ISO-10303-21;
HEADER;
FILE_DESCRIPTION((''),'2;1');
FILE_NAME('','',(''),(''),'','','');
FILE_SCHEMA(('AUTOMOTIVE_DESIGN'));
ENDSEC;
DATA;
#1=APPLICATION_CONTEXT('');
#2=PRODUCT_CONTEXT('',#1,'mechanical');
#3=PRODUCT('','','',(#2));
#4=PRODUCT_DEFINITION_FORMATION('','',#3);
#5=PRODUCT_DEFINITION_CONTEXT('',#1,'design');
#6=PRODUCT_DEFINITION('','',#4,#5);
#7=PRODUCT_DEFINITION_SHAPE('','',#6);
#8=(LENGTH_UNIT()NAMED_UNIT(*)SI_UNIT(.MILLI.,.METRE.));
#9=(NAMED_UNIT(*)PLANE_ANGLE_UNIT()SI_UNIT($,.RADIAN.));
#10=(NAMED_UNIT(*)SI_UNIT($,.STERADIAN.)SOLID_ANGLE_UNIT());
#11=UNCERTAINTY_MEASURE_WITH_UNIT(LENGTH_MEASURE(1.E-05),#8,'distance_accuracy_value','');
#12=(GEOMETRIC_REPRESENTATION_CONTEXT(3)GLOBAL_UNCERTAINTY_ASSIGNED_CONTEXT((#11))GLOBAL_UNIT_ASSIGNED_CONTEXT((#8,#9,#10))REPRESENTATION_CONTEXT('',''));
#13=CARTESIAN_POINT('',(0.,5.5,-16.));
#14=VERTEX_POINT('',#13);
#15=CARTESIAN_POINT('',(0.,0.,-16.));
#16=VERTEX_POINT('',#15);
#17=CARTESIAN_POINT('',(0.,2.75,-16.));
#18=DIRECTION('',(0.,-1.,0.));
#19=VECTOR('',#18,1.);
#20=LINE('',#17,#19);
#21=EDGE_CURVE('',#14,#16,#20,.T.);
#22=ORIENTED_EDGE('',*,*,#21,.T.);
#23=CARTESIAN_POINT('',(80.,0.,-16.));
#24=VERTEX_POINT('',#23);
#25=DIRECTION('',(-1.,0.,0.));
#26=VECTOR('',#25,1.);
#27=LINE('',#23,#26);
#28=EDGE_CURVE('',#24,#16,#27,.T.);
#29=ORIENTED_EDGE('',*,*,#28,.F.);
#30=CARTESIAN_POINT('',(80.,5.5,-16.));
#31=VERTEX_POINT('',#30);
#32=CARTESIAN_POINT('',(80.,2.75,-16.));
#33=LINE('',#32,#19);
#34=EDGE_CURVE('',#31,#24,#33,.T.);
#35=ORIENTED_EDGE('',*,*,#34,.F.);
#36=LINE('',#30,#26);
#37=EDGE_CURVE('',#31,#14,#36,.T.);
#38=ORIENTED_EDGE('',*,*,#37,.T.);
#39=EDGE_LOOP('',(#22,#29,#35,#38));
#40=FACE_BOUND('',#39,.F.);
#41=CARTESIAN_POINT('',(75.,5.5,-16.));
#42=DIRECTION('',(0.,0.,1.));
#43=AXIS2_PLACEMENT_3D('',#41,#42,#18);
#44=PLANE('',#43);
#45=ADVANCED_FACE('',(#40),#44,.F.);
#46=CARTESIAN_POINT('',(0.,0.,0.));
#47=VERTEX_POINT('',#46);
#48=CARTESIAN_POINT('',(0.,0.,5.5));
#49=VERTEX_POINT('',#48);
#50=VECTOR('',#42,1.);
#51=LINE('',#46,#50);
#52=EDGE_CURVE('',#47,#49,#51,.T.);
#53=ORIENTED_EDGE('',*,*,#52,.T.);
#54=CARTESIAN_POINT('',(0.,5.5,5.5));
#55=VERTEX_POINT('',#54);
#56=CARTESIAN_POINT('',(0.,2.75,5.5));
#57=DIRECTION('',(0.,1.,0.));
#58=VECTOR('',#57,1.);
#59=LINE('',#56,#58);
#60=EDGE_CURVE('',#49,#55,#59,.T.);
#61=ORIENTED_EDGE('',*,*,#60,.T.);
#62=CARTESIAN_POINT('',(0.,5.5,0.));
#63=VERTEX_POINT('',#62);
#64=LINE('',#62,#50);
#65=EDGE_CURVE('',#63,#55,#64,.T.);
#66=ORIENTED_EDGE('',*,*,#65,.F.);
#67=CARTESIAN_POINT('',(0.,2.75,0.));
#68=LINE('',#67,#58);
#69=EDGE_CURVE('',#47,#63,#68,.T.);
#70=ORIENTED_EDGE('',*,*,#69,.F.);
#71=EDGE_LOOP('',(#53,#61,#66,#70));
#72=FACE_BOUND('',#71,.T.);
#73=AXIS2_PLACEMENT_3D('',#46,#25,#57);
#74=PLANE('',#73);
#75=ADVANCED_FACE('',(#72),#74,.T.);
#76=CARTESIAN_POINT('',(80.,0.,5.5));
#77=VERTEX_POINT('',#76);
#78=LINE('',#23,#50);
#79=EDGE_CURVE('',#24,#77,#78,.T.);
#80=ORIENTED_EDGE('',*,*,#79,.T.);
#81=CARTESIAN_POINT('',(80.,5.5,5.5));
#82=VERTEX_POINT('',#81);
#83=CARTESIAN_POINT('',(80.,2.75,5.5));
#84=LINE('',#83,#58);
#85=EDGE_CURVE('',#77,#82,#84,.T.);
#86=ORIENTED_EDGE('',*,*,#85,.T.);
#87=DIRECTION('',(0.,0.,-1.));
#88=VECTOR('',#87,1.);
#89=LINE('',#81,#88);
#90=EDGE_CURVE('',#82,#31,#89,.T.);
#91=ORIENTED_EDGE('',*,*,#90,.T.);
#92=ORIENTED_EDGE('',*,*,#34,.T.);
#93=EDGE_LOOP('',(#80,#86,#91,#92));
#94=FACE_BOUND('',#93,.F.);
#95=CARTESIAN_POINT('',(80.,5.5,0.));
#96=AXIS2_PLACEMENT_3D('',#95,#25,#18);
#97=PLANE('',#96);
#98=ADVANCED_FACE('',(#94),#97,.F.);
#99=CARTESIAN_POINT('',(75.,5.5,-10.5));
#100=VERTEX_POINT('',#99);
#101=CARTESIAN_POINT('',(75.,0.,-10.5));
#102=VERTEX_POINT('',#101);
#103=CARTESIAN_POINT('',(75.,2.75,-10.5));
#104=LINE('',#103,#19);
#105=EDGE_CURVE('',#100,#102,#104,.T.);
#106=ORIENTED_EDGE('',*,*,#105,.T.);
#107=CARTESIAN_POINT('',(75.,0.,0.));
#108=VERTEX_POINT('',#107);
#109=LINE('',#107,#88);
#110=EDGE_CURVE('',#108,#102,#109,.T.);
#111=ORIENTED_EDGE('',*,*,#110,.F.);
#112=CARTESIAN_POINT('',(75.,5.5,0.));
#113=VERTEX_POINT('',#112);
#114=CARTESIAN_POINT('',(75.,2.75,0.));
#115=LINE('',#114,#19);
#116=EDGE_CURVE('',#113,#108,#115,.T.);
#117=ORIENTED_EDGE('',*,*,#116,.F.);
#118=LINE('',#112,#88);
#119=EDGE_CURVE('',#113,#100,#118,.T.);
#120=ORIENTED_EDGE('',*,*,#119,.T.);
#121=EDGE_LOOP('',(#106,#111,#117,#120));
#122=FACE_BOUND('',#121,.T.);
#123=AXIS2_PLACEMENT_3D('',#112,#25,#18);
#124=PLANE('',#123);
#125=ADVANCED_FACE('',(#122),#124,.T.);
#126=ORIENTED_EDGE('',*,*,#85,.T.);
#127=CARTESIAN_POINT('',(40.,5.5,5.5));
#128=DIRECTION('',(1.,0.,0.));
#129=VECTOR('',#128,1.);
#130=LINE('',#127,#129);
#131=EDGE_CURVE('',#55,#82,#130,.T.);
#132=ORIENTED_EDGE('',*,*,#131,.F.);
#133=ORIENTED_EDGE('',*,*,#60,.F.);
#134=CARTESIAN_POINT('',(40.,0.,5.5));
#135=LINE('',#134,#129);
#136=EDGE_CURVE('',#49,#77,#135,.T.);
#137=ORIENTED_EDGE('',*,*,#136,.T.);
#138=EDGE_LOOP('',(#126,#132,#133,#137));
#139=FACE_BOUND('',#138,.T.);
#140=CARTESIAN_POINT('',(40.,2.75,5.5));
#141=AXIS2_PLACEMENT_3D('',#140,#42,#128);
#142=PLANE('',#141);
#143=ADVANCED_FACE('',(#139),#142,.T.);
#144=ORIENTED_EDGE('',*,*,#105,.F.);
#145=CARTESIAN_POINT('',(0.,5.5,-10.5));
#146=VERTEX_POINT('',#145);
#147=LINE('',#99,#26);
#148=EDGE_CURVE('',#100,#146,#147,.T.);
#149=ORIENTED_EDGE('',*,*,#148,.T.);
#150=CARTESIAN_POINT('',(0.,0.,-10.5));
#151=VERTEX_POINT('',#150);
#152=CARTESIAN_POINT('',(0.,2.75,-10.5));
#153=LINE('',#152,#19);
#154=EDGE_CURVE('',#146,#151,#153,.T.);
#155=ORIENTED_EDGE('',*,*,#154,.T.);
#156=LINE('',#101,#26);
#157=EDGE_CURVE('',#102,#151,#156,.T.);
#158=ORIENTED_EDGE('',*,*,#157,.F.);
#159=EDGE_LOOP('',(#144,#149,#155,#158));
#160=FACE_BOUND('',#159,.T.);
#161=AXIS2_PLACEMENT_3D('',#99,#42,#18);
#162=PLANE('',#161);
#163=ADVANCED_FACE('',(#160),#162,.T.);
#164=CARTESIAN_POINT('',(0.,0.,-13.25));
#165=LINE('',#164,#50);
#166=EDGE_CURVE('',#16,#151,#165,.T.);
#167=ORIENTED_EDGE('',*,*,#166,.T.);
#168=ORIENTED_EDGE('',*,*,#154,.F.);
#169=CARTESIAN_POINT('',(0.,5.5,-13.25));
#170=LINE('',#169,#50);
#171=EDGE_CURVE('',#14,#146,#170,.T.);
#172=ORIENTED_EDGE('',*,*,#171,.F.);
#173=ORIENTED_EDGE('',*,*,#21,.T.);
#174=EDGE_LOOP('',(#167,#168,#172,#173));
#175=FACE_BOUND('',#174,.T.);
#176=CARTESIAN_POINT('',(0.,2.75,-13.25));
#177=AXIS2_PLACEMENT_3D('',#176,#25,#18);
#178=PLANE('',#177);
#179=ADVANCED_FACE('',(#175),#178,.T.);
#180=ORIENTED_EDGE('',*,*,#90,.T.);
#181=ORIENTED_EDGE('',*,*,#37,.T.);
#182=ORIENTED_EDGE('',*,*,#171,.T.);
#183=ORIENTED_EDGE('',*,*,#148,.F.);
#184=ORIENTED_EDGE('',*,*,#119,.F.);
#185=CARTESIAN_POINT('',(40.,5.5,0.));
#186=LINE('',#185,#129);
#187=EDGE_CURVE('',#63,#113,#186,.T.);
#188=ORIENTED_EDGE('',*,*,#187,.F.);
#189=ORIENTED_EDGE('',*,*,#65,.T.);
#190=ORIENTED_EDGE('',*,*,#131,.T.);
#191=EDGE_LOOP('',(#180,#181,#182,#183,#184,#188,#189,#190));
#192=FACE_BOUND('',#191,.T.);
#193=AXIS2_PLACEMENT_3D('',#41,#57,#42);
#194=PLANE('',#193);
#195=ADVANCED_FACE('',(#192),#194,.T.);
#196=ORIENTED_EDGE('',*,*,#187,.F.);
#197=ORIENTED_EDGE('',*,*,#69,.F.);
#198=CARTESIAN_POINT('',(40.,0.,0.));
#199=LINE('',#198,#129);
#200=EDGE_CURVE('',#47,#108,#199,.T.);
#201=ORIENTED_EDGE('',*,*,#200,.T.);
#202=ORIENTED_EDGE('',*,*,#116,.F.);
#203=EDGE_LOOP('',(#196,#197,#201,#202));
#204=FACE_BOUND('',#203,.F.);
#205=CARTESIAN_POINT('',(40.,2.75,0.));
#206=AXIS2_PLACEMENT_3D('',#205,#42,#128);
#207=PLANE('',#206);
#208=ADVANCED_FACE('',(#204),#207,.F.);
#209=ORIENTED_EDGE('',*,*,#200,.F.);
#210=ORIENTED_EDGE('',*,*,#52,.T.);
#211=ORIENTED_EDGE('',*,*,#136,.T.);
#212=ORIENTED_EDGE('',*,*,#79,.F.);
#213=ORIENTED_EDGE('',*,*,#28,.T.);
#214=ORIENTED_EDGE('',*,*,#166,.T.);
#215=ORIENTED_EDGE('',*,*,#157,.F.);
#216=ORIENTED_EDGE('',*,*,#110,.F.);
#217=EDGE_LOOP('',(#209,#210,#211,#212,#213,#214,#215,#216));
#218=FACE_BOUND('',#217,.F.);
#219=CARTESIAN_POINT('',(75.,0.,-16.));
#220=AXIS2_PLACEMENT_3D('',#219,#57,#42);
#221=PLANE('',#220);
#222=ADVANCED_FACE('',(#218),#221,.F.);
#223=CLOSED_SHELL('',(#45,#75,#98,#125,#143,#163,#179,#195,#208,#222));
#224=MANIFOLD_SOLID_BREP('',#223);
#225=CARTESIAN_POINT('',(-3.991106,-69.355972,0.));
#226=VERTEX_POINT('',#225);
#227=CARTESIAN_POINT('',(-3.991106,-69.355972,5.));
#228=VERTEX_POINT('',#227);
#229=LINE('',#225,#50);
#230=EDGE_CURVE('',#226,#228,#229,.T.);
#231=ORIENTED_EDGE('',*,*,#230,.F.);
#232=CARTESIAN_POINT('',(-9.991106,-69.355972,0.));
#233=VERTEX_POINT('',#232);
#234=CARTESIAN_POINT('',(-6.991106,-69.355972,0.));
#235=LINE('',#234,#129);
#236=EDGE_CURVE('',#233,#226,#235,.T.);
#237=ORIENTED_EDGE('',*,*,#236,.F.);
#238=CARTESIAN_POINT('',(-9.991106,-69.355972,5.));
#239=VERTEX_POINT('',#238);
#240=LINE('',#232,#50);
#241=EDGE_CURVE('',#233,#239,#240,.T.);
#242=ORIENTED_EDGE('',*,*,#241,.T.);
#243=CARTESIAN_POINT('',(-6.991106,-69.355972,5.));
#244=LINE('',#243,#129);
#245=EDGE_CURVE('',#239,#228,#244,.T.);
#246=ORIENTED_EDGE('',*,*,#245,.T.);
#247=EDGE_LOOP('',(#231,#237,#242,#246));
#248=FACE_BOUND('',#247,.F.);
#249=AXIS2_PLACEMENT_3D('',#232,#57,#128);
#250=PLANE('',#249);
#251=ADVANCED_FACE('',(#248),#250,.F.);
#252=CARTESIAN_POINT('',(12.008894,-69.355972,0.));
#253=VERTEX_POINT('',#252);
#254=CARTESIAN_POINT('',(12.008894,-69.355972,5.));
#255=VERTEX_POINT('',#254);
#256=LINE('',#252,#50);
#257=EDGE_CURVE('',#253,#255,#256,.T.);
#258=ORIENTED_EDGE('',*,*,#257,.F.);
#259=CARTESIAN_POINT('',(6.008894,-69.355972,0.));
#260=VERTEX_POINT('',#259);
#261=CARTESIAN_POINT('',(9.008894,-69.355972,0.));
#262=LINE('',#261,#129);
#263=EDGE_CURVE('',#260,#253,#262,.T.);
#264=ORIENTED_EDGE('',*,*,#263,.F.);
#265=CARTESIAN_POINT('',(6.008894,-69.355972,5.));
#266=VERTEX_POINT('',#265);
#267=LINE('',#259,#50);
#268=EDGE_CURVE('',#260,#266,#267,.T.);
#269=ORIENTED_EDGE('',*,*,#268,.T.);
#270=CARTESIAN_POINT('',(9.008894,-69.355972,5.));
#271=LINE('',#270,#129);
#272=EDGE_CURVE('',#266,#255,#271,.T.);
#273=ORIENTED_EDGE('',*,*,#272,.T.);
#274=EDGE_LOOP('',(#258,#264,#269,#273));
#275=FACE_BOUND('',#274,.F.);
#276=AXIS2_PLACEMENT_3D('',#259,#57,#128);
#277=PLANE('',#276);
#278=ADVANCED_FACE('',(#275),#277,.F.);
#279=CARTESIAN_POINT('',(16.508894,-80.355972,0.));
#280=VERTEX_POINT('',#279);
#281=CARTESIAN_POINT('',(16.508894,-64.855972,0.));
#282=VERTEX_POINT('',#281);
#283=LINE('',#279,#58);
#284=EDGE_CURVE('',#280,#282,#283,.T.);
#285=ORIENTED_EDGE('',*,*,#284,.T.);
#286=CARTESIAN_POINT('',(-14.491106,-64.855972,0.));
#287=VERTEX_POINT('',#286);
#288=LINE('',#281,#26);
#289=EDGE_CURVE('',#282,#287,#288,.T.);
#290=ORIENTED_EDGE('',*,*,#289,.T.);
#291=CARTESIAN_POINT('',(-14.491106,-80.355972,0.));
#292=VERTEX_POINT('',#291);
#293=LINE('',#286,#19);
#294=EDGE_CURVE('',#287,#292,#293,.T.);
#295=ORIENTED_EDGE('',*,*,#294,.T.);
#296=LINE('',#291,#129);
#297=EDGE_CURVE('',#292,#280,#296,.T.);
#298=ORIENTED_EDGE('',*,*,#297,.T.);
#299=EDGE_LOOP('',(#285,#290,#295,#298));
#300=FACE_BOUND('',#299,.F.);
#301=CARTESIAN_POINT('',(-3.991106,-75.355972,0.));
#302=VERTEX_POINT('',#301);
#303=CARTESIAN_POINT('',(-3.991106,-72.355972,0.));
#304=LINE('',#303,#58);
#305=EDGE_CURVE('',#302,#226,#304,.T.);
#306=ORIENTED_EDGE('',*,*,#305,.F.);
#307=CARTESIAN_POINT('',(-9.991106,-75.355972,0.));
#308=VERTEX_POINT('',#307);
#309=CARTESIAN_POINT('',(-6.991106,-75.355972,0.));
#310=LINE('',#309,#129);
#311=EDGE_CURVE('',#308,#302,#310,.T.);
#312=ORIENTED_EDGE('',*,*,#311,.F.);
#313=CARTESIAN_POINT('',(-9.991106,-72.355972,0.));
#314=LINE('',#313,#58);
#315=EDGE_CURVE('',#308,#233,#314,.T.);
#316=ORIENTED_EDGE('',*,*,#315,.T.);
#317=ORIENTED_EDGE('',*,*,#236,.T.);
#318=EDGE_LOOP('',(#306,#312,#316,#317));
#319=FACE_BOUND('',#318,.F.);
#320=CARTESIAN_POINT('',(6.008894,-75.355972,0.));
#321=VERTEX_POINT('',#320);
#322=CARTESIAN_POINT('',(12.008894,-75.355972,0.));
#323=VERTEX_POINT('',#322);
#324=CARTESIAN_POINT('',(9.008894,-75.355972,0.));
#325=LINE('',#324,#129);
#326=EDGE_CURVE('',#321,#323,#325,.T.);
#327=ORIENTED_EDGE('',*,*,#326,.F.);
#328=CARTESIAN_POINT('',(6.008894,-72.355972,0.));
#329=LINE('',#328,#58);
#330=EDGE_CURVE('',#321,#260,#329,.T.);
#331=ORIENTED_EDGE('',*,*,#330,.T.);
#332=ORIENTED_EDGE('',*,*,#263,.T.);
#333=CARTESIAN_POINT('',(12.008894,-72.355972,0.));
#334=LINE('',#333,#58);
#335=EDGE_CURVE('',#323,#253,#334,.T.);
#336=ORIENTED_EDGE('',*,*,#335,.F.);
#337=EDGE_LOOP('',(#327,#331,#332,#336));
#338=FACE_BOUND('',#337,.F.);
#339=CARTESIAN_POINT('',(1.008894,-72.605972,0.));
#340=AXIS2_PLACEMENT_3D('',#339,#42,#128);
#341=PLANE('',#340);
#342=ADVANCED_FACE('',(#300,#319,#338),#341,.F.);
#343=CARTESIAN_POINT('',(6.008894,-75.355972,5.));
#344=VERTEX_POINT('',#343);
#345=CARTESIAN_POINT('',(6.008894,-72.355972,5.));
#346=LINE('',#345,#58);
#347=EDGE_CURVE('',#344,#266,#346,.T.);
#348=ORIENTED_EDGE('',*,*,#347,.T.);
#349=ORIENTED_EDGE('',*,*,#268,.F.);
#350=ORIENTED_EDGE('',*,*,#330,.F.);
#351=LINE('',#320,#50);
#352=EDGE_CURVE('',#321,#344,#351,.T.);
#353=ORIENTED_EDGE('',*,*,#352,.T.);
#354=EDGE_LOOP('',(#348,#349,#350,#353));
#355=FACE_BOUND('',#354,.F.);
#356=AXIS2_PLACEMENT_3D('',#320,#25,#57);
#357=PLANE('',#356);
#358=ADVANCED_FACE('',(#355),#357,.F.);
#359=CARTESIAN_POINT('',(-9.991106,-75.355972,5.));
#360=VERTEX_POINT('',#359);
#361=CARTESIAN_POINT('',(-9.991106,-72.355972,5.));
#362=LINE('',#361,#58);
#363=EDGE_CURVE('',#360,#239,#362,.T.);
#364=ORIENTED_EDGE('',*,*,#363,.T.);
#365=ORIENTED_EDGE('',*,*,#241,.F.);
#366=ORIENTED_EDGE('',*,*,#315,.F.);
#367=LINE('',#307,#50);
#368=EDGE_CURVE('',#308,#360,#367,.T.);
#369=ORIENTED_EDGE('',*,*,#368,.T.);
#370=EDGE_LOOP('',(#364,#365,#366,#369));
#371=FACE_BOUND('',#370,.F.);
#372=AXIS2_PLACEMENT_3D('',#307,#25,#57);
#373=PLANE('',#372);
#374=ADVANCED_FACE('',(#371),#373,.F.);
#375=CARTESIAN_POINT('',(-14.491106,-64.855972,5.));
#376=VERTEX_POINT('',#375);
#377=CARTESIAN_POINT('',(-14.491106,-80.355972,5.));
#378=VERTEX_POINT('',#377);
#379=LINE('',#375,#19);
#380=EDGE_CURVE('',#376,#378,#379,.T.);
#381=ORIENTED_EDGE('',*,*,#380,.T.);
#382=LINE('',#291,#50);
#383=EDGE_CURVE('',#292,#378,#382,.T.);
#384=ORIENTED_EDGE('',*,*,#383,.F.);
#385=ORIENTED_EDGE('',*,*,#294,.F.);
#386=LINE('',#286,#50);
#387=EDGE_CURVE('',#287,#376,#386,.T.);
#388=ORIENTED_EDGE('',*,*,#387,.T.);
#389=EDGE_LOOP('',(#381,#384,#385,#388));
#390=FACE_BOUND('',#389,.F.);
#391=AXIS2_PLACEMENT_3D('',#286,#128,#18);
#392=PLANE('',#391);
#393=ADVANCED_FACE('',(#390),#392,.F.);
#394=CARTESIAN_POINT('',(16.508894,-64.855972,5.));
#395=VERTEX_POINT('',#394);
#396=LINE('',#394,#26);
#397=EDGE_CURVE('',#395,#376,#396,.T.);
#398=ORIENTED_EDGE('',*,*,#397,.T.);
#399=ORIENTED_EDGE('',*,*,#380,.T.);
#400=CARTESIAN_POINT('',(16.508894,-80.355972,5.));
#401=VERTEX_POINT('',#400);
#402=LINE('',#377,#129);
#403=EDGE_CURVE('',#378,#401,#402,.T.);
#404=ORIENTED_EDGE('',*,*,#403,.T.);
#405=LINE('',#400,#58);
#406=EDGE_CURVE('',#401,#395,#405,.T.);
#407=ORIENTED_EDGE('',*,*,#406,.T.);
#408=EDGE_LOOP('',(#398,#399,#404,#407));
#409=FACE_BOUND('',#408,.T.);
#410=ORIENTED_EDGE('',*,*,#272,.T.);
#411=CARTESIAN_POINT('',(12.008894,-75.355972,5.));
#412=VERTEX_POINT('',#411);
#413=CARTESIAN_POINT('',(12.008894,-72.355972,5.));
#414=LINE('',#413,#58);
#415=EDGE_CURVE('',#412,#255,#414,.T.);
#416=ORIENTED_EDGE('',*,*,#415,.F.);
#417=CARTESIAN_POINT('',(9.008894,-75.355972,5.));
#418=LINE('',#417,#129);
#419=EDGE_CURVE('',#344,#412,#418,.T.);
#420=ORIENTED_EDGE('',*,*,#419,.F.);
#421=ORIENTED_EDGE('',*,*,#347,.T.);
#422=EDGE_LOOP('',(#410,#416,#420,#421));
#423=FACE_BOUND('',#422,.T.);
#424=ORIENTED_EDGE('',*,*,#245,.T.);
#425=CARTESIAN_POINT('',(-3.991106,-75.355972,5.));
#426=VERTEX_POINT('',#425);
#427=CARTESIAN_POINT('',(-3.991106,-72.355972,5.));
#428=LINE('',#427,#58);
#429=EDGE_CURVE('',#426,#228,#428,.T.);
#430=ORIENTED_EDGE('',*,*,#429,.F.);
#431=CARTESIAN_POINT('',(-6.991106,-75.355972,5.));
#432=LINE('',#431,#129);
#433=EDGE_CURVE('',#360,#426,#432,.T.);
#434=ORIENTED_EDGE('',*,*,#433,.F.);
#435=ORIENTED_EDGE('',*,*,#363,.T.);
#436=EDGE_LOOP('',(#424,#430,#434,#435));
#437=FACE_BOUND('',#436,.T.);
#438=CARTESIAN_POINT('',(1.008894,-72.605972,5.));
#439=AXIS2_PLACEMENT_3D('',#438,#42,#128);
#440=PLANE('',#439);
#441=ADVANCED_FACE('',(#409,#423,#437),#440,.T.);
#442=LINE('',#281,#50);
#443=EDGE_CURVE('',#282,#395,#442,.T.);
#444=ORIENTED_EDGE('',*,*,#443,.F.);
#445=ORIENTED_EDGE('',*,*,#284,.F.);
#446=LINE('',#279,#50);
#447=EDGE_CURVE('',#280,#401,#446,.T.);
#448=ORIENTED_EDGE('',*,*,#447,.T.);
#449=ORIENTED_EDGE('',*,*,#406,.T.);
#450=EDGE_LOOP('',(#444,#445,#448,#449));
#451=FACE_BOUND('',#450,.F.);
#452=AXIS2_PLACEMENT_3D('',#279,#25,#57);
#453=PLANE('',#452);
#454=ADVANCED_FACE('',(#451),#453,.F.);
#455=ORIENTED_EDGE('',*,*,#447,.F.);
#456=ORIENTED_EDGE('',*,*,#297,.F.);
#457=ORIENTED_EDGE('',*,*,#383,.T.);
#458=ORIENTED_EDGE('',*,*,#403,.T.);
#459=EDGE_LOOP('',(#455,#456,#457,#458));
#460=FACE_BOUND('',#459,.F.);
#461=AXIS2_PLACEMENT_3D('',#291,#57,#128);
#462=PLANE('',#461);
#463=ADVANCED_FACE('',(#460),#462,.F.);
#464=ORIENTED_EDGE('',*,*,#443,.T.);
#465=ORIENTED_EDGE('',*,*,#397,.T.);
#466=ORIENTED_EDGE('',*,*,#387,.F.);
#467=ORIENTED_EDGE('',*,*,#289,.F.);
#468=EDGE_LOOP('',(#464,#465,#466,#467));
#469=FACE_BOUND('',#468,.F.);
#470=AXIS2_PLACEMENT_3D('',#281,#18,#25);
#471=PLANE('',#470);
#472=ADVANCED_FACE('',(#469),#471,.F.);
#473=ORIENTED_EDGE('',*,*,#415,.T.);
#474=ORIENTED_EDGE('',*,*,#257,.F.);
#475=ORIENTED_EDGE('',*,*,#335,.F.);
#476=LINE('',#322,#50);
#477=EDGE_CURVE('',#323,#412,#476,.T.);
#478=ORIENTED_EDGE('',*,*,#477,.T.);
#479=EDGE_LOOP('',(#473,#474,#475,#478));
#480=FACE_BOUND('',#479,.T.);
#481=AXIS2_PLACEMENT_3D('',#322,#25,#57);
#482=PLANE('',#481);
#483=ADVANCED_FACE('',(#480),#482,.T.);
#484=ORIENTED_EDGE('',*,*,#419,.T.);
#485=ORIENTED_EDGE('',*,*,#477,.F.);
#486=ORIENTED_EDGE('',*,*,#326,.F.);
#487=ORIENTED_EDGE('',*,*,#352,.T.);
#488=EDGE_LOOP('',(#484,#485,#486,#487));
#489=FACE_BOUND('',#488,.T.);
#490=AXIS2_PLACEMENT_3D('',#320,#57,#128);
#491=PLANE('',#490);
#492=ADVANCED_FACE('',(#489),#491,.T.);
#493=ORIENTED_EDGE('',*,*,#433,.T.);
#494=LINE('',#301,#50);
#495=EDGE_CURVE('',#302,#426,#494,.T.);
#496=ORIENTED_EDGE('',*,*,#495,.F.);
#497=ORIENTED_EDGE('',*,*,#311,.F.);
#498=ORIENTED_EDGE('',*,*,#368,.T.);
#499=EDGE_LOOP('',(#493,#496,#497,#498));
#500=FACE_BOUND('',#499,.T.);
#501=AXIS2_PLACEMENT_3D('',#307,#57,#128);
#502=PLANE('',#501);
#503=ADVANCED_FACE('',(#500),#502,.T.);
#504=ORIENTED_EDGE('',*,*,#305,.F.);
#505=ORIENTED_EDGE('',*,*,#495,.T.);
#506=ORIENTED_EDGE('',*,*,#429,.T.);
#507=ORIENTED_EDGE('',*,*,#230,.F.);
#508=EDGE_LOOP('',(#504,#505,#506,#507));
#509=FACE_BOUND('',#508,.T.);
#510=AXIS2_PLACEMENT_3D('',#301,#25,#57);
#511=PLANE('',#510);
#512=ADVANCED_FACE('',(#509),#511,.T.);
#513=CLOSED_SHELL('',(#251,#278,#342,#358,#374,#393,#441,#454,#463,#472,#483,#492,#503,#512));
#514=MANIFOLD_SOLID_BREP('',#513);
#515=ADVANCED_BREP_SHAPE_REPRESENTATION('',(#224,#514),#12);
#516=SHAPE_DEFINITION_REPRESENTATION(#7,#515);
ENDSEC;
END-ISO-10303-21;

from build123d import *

# Parameters (mm, degrees)
F0_W     = 80
F0_H     = 5.5
F1_DEPTH = 5.5
F2_W     = 5
F2_H     = 5.5
F3_DEPTH = 16
F4_W     = 5.5
F4_H     = 5.5
F5_DEPTH = 75
F6_W     = 6
F6_H     = 6
F7_DEPTH = 5


with BuildPart() as f1:
    # F0 (on Top) → F1 (new body)
    with BuildSketch(Plane.XY):
        with Locations((40, 2.75)):
            Rectangle(F0_W, F0_H)
    extrude(amount=F1_DEPTH)

    # F2 (on face) → F3 (join)
    with BuildSketch(Plane(origin=(0, 0, 0), x_dir=(1, 0, 0), z_dir=(0, 0, -1))):
        with Locations((77.5, -2.75)):
            Rectangle(F2_W, F2_H)
    extrude(amount=F3_DEPTH)

    # F4 (on face) → F5 (join)
    with BuildSketch(Plane(origin=(75, 0, 0), x_dir=(0, -1, 0), z_dir=(-1, 0, 0))):
        with Locations((-2.75, -13.25)):
            Rectangle(F4_W, F4_H)
    extrude(amount=F5_DEPTH)


with BuildPart() as f7:
    # F6 (on Top) → F7 (new body)
    with BuildSketch(Plane.XY):
        Polygon((16.508894, -80.355972), (16.508894, -64.855972), (1.008894, -64.855972), (-14.491106, -64.855972), (-14.491106, -80.355972), align=None)
        with Locations((-6.991106, -72.355972)):
            Rectangle(F6_W, F6_H, mode=Mode.SUBTRACT)
        with Locations((9.008894, -72.355972)):
            Rectangle(F6_W, F6_H, mode=Mode.SUBTRACT)
    extrude(amount=F7_DEPTH)


solid = Compound([f1.part, f7.part])
